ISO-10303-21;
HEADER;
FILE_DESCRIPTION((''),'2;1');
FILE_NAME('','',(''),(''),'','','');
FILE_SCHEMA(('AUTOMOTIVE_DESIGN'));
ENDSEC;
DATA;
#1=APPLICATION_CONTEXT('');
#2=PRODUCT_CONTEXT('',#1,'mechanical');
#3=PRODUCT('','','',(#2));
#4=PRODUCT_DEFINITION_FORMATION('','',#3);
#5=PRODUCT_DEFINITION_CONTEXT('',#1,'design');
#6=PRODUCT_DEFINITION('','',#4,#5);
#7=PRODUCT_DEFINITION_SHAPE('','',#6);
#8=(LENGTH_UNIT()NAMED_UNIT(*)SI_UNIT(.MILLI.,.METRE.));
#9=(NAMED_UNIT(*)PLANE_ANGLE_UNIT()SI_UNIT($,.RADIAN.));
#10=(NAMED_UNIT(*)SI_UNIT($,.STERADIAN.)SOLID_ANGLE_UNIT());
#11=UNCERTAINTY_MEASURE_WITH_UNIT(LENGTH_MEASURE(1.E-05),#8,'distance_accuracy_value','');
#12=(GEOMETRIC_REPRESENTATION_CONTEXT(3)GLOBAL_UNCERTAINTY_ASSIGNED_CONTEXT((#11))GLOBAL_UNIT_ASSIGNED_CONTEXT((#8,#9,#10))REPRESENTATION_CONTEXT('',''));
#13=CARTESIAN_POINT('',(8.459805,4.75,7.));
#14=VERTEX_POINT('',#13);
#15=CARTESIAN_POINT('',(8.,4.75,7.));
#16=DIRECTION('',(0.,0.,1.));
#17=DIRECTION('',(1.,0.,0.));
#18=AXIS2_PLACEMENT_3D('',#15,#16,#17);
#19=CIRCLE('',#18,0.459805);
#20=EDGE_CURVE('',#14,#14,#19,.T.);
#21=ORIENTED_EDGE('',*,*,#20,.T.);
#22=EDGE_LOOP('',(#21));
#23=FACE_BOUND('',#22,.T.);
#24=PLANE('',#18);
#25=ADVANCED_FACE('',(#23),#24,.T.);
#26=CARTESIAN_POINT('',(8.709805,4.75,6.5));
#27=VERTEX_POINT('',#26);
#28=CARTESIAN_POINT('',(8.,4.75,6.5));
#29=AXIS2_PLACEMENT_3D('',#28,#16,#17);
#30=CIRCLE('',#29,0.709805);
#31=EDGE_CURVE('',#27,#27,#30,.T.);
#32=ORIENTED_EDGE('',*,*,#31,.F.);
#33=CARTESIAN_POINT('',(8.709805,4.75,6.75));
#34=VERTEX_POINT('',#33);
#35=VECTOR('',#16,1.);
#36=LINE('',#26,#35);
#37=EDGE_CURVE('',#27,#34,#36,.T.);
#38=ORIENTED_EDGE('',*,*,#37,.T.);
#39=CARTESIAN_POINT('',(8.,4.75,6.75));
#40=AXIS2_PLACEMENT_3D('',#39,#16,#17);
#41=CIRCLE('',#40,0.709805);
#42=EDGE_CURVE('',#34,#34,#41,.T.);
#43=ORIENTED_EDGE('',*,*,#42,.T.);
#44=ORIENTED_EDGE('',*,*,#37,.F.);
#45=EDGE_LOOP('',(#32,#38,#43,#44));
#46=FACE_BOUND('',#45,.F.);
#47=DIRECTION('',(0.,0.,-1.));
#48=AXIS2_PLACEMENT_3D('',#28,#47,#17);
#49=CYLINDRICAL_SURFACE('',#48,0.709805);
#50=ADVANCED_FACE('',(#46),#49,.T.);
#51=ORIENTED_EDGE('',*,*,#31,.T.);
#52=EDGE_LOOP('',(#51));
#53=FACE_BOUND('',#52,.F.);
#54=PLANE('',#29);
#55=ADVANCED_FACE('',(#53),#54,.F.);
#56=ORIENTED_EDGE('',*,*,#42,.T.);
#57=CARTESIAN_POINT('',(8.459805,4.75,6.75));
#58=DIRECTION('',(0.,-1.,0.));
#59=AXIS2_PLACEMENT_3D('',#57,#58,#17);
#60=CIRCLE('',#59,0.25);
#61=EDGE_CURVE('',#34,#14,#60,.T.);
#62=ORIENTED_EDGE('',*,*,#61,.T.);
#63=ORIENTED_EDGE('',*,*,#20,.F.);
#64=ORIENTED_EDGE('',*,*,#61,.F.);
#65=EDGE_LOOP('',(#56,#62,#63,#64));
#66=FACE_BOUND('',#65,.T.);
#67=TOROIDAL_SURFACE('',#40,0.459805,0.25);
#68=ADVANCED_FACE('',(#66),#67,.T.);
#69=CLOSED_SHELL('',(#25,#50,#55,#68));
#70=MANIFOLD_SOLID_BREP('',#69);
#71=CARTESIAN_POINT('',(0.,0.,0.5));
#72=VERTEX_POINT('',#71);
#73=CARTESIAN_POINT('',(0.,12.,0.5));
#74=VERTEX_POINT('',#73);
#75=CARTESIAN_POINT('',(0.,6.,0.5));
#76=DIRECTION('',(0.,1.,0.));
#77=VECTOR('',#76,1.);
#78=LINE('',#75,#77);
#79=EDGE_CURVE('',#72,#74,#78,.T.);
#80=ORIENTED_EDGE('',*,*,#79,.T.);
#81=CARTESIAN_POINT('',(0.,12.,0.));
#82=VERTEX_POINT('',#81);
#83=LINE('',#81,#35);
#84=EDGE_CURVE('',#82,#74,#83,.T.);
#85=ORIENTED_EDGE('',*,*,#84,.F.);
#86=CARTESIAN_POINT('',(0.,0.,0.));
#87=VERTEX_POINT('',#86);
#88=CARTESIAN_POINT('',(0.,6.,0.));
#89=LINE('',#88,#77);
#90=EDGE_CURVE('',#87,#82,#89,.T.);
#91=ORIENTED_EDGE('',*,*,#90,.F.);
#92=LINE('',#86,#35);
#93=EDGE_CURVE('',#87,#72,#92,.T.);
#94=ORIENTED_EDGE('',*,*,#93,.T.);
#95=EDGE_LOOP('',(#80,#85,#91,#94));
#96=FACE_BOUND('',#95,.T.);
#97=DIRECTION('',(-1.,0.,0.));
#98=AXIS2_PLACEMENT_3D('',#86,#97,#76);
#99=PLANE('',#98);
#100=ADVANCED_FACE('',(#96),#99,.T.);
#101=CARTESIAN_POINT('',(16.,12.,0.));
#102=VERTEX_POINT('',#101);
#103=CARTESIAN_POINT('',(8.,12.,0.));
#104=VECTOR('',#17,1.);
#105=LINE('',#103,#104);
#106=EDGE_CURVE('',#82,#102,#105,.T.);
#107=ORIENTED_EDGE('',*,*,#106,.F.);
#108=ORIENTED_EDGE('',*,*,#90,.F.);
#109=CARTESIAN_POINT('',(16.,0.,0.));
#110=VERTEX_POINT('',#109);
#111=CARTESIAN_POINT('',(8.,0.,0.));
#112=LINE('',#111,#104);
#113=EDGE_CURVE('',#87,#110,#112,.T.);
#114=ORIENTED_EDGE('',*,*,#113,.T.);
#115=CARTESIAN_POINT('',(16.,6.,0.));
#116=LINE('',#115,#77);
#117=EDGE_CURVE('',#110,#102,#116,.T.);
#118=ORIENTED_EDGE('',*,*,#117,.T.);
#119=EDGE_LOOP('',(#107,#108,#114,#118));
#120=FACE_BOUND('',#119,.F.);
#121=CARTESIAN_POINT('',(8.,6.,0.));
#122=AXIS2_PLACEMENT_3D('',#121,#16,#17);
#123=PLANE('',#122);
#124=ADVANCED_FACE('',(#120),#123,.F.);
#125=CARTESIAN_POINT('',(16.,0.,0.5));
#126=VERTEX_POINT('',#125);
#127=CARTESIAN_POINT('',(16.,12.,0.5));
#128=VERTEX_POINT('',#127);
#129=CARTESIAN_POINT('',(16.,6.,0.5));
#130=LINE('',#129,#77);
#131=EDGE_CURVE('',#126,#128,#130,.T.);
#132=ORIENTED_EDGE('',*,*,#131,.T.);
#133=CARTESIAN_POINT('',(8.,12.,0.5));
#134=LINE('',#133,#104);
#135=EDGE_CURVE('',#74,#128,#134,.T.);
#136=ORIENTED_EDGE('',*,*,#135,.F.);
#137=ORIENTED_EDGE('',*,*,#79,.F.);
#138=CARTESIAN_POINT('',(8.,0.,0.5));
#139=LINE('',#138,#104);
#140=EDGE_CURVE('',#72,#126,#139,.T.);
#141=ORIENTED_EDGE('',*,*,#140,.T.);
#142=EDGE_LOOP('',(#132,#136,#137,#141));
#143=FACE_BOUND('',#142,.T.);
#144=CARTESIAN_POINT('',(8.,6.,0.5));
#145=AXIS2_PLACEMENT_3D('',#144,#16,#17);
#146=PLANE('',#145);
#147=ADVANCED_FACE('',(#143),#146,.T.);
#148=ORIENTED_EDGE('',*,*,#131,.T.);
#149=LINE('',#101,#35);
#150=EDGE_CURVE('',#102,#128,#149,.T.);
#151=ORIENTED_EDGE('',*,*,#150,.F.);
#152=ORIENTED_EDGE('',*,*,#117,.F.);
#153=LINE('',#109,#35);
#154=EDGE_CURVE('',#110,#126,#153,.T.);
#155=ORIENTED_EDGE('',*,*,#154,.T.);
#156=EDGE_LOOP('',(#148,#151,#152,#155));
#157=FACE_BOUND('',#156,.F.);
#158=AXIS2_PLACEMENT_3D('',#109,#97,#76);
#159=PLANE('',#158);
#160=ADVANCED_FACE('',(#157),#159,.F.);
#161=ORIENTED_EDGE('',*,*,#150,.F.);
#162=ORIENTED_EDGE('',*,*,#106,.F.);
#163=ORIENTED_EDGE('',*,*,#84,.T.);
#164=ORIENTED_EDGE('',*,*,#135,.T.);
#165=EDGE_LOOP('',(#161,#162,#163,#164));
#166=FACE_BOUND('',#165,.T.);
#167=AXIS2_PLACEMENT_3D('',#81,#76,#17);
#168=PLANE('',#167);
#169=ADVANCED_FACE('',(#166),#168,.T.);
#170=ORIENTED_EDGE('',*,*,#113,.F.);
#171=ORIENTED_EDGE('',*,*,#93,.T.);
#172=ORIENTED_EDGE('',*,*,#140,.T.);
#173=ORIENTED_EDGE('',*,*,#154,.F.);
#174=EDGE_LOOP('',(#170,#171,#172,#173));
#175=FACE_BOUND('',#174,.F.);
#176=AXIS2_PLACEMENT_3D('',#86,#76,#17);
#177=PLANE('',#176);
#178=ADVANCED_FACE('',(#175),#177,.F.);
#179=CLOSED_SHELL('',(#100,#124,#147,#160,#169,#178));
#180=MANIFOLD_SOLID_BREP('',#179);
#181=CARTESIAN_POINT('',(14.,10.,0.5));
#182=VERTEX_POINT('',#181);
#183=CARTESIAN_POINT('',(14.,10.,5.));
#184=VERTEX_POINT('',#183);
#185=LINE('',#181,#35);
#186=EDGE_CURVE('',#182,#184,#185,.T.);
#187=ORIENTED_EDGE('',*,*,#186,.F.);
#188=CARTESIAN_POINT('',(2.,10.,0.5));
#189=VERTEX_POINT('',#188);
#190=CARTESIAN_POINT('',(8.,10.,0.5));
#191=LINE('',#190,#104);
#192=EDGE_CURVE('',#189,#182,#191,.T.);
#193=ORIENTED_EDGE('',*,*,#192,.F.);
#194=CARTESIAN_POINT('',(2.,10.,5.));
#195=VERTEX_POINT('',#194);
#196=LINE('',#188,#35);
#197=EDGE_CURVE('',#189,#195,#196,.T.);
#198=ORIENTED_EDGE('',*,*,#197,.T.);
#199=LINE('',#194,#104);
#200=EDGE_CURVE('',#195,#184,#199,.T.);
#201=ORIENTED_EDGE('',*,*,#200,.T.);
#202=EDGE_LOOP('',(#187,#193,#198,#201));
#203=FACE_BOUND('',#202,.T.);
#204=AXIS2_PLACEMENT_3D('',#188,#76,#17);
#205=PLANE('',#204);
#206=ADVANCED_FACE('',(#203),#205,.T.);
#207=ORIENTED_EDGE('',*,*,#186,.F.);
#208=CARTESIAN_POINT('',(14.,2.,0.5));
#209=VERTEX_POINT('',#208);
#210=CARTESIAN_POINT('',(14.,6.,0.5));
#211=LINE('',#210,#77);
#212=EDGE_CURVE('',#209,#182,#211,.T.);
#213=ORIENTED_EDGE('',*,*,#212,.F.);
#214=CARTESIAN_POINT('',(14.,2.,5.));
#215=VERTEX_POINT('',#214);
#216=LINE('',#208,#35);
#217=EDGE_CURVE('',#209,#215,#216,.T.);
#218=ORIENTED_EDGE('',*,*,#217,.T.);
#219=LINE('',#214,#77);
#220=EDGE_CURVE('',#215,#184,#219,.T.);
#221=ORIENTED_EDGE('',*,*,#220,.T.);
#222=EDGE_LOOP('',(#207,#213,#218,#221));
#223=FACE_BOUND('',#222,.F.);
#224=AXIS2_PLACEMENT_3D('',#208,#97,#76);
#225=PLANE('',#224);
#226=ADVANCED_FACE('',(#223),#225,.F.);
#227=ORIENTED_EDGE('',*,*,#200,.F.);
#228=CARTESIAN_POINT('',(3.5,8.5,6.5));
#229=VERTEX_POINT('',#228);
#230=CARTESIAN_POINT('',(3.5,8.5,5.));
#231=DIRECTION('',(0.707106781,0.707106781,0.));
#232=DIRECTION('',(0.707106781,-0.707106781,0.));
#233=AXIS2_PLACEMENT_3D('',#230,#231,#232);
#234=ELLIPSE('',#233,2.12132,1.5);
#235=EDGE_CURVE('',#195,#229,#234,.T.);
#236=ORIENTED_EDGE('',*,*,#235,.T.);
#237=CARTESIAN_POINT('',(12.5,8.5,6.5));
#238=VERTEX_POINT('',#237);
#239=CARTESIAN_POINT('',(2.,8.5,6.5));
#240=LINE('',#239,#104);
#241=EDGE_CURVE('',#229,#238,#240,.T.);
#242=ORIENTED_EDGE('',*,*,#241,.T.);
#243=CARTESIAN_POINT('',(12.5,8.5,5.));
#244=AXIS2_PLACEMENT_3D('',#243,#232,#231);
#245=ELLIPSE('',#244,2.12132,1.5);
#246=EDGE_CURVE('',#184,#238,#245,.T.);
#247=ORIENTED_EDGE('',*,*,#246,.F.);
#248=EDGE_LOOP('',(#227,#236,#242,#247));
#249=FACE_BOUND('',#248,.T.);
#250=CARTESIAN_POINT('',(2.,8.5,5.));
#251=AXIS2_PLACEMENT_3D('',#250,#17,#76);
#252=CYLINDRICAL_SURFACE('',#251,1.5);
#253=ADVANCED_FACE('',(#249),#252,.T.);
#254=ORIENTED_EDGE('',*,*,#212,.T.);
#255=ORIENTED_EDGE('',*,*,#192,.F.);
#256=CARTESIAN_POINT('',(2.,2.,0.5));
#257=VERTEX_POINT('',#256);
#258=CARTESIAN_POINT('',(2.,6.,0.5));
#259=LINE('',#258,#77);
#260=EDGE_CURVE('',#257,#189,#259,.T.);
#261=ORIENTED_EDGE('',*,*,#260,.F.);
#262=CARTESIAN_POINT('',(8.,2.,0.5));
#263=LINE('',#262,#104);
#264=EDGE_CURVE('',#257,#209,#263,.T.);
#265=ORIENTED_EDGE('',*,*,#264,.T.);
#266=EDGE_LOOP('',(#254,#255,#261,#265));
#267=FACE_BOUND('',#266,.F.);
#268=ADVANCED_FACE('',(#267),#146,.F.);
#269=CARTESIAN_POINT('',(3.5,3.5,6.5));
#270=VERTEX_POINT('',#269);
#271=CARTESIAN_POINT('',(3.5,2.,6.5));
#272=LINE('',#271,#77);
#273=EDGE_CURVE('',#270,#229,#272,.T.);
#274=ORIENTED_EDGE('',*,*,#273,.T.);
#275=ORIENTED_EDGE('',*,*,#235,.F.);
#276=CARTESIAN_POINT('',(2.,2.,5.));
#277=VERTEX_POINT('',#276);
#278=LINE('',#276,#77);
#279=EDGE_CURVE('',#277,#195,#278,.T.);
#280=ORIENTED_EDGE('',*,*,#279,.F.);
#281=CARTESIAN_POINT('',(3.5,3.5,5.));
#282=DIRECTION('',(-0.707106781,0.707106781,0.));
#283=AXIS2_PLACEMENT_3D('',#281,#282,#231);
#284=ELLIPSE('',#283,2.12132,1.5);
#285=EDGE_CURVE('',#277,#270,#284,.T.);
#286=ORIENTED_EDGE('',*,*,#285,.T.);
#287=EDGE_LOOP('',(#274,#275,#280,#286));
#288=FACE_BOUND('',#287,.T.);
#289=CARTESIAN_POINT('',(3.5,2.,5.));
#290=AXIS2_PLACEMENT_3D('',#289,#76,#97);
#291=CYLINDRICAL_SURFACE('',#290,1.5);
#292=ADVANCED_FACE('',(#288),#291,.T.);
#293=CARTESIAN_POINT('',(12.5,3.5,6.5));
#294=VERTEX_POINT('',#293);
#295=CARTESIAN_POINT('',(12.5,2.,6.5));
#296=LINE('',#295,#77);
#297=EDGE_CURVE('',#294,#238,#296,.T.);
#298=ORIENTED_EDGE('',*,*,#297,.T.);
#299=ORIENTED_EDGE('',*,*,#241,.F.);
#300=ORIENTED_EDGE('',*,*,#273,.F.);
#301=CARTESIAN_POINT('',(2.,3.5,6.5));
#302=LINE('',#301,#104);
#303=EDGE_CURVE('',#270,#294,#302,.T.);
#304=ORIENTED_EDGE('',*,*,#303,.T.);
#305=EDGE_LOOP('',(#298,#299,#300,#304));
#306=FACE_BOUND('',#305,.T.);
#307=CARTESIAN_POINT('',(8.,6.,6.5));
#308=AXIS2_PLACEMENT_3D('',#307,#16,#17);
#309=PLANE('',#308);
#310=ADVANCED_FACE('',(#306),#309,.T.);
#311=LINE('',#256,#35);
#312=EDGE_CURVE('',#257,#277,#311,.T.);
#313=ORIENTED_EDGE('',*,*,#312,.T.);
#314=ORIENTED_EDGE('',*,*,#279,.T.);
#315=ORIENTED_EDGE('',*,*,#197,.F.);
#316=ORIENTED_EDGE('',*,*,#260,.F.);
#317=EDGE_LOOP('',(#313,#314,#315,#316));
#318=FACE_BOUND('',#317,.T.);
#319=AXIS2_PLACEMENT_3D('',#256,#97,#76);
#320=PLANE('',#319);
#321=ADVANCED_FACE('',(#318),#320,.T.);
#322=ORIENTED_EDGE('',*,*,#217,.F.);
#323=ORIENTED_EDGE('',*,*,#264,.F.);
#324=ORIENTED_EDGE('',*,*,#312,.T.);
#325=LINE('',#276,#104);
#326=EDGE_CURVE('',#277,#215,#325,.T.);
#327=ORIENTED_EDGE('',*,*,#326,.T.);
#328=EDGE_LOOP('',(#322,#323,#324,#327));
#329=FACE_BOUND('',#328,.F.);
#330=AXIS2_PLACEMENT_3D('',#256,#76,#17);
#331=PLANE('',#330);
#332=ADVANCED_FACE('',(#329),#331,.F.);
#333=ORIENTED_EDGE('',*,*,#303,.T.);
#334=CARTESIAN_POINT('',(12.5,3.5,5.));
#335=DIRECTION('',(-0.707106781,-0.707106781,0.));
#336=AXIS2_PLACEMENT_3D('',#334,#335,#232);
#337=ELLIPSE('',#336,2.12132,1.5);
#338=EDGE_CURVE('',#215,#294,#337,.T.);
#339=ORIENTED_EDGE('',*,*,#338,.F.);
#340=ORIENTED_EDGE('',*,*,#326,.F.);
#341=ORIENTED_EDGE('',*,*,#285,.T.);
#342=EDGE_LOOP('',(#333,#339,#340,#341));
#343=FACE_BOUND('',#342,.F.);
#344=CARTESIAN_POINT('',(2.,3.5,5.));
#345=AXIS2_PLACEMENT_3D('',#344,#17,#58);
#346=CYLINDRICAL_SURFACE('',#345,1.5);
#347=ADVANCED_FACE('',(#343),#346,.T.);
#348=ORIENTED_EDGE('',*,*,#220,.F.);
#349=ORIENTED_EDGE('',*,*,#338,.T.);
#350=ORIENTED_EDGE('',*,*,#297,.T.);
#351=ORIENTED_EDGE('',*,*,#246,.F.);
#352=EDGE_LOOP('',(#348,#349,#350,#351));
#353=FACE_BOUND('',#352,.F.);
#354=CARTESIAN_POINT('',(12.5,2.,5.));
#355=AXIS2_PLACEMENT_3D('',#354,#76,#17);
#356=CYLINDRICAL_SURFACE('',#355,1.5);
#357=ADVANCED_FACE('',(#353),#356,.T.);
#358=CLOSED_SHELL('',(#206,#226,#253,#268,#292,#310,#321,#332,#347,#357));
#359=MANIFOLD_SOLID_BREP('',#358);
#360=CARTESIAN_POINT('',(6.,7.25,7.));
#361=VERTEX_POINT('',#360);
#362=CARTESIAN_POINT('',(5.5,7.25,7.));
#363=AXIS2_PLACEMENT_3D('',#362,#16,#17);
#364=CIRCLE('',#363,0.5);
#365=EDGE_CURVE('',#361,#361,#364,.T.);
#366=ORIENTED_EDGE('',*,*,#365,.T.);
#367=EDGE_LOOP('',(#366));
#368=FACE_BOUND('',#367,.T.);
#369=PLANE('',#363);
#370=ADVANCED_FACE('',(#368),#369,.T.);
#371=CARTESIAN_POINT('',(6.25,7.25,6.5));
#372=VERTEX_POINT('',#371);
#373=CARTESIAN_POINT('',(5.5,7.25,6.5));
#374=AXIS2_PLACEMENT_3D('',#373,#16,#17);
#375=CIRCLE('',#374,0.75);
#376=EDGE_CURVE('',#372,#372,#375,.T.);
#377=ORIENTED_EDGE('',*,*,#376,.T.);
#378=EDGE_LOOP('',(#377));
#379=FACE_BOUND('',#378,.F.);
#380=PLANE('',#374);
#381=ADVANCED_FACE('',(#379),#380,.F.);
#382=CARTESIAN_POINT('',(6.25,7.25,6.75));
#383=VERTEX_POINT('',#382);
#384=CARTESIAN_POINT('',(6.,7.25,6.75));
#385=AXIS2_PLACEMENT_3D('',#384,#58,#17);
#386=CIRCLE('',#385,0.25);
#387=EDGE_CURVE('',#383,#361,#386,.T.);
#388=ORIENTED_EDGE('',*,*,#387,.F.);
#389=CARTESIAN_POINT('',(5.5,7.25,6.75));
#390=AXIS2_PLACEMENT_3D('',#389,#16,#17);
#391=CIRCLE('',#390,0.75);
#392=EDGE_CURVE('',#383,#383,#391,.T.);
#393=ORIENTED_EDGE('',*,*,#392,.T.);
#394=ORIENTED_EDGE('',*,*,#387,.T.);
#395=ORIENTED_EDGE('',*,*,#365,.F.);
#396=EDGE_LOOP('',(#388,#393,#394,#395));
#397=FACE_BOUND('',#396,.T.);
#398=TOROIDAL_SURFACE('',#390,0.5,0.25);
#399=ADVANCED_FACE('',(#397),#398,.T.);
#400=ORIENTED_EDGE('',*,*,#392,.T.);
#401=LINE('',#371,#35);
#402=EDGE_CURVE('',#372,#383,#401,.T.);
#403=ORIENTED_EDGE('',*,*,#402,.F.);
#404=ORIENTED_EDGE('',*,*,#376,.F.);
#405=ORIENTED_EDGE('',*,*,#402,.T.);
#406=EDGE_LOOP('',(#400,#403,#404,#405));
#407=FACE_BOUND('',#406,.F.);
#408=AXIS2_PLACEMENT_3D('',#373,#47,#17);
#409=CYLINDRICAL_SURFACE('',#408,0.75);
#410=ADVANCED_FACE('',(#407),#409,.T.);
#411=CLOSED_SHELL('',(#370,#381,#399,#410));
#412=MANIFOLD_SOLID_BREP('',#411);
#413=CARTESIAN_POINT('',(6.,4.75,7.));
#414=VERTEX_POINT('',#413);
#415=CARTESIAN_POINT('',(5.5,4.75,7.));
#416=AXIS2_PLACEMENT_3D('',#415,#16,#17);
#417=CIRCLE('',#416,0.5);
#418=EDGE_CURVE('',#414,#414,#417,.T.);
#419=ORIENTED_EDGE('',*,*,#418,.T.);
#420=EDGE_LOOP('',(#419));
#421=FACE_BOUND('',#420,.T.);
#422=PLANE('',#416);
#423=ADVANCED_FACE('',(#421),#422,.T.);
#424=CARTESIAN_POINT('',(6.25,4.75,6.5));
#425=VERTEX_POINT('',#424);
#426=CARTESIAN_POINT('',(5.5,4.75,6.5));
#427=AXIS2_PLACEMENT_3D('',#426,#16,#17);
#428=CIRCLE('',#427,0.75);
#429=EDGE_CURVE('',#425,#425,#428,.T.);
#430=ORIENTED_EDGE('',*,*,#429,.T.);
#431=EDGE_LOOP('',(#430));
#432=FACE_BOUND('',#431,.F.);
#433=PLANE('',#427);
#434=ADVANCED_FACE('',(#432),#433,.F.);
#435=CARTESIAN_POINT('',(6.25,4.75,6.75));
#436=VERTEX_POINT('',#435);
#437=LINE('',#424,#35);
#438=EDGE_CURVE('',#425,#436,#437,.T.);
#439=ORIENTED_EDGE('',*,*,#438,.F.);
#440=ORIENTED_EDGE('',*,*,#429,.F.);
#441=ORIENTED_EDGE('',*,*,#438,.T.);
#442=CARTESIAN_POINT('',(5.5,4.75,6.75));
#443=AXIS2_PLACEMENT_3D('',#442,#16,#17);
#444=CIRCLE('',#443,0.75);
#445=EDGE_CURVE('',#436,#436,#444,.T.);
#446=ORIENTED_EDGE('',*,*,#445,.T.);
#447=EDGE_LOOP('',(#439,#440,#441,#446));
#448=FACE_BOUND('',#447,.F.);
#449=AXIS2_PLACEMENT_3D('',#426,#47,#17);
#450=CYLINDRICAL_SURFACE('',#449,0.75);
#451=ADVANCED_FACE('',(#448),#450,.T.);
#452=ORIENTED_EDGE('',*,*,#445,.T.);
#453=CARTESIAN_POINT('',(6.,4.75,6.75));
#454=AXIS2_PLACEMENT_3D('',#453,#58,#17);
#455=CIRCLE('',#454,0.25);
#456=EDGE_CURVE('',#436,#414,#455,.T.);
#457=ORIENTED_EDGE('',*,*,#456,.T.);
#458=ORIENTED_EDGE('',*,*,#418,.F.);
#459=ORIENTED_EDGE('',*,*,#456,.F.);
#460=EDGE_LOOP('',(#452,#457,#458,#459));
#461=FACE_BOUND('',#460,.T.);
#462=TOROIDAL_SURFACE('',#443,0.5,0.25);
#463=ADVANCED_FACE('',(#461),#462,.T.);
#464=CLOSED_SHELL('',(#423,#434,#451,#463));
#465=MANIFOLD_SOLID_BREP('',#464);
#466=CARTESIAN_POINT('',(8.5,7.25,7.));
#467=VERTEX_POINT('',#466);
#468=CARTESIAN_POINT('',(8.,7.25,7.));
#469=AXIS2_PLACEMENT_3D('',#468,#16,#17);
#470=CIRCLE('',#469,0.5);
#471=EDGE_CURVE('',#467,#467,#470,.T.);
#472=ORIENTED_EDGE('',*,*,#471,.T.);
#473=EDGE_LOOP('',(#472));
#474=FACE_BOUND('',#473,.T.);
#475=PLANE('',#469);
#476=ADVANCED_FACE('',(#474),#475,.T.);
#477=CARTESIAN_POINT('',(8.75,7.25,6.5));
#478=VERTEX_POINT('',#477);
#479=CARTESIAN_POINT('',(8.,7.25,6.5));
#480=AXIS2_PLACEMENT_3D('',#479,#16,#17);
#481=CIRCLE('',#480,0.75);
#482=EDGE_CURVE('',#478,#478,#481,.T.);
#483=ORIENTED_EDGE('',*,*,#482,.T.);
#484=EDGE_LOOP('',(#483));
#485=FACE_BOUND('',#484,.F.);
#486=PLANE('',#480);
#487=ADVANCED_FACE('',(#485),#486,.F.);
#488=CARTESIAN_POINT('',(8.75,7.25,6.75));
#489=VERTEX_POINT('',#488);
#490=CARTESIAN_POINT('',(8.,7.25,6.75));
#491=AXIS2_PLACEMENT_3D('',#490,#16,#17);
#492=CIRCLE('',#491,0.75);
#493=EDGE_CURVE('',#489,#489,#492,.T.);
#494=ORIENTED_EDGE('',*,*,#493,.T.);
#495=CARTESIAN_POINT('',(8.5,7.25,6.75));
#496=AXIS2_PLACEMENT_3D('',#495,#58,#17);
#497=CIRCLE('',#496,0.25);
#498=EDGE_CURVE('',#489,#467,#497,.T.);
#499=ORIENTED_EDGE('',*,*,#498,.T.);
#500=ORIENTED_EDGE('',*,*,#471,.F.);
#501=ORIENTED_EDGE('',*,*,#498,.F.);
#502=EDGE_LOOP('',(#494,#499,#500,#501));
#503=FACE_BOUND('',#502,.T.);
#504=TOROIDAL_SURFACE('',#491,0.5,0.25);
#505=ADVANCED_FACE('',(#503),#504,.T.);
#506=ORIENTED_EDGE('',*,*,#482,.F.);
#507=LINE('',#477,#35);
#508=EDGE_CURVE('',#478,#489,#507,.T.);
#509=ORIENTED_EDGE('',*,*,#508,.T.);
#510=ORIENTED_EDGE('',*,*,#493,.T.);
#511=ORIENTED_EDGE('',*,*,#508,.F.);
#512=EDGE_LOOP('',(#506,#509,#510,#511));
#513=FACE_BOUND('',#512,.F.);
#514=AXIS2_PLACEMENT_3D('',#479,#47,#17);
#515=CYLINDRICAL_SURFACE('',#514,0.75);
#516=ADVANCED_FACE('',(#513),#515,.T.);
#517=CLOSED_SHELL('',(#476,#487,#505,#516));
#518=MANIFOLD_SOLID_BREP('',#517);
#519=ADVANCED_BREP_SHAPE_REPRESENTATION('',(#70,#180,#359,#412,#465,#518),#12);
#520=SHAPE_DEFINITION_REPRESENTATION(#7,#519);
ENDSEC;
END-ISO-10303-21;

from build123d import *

# Parameters (mm, degrees)
SKETCH_W     = 16
SKETCH_H     = 12
PAD_DEPTH    = 0.5
SKETCH001_W  = 12
SKETCH001_H  = 8
PAD001_DEPTH = 6
FILLET_R     = 1.5
SKETCH002_R  = 0.75
PAD002_DEPTH = 0.5
FILLET001_R  = 0.25
SKETCH003_R  = 0.709805
PAD003_DEPTH = 0.5
FILLET002_R  = 0.25
SKETCH004_R  = 0.75
PAD004_DEPTH = 0.5
FILLET003_R  = 0.25
SKETCH005_R  = 0.75
PAD005_DEPTH = 0.5
FILLET004_R  = 0.25


with BuildPart() as pad:
    # Sketch → Pad (new body)
    with BuildSketch(Plane.XY):
        with Locations((8, 6)):
            Rectangle(SKETCH_W, SKETCH_H)
    extrude(amount=PAD_DEPTH)


with BuildPart() as fillet_body:
    # Sketch001 → Pad001 (new body)
    with BuildSketch(Plane.XY.offset(0.5)):
        with Locations((8, 6)):
            Rectangle(SKETCH001_W, SKETCH001_H)
    extrude(amount=PAD001_DEPTH)

    # Fillet
    fillet_edges = [fillet_body.edges().sort_by_distance(p)[0] for p in [
        (8, 2, 6.5),
        (14, 6, 6.5),
        (8, 10, 6.5),
        (2, 6, 6.5),
    ]]
    fillet(fillet_edges, radius=FILLET_R)


with BuildPart() as fillet001:
    # Sketch002 → Pad002 (new body)
    with BuildSketch(Plane.XY.offset(6.5)):
        with Locations((5.5, 4.75)):
            Circle(SKETCH002_R)
    extrude(amount=PAD002_DEPTH)

    # Fillet001
    fillet001_edges = [fillet001.edges().sort_by_distance(p)[0] for p in [
        (4.75, 4.75, 7),
    ]]
    fillet(fillet001_edges, radius=FILLET001_R)


with BuildPart() as fillet002:
    # Sketch003 → Pad003 (new body)
    with BuildSketch(Plane.XY.offset(6.5)):
        with Locations((8, 4.75)):
            Circle(SKETCH003_R)
    extrude(amount=PAD003_DEPTH)

    # Fillet002
    fillet002_edges = [fillet002.edges().sort_by_distance(p)[0] for p in [
        (7.290195, 4.75, 7),
    ]]
    fillet(fillet002_edges, radius=FILLET002_R)


with BuildPart() as fillet003:
    # Sketch004 → Pad004 (new body)
    with BuildSketch(Plane.XY.offset(6.5)):
        with Locations((5.5, 7.25)):
            Circle(SKETCH004_R)
    extrude(amount=PAD004_DEPTH)

    # Fillet003
    fillet003_edges = [fillet003.edges().sort_by_distance(p)[0] for p in [
        (4.75, 7.25, 7),
    ]]
    fillet(fillet003_edges, radius=FILLET003_R)


with BuildPart() as fillet004:
    # Sketch005 → Pad005 (new body)
    with BuildSketch(Plane.XY.offset(6.5)):
        with Locations((8, 7.25)):
            Circle(SKETCH005_R)
    extrude(amount=PAD005_DEPTH)

    # Fillet004
    fillet004_edges = [fillet004.edges().sort_by_distance(p)[0] for p in [
        (7.25, 7.25, 7),
    ]]
    fillet(fillet004_edges, radius=FILLET004_R)


solid = Compound([pad.part, fillet_body.part, fillet001.part, fillet002.part, fillet003.part, fillet004.part])
